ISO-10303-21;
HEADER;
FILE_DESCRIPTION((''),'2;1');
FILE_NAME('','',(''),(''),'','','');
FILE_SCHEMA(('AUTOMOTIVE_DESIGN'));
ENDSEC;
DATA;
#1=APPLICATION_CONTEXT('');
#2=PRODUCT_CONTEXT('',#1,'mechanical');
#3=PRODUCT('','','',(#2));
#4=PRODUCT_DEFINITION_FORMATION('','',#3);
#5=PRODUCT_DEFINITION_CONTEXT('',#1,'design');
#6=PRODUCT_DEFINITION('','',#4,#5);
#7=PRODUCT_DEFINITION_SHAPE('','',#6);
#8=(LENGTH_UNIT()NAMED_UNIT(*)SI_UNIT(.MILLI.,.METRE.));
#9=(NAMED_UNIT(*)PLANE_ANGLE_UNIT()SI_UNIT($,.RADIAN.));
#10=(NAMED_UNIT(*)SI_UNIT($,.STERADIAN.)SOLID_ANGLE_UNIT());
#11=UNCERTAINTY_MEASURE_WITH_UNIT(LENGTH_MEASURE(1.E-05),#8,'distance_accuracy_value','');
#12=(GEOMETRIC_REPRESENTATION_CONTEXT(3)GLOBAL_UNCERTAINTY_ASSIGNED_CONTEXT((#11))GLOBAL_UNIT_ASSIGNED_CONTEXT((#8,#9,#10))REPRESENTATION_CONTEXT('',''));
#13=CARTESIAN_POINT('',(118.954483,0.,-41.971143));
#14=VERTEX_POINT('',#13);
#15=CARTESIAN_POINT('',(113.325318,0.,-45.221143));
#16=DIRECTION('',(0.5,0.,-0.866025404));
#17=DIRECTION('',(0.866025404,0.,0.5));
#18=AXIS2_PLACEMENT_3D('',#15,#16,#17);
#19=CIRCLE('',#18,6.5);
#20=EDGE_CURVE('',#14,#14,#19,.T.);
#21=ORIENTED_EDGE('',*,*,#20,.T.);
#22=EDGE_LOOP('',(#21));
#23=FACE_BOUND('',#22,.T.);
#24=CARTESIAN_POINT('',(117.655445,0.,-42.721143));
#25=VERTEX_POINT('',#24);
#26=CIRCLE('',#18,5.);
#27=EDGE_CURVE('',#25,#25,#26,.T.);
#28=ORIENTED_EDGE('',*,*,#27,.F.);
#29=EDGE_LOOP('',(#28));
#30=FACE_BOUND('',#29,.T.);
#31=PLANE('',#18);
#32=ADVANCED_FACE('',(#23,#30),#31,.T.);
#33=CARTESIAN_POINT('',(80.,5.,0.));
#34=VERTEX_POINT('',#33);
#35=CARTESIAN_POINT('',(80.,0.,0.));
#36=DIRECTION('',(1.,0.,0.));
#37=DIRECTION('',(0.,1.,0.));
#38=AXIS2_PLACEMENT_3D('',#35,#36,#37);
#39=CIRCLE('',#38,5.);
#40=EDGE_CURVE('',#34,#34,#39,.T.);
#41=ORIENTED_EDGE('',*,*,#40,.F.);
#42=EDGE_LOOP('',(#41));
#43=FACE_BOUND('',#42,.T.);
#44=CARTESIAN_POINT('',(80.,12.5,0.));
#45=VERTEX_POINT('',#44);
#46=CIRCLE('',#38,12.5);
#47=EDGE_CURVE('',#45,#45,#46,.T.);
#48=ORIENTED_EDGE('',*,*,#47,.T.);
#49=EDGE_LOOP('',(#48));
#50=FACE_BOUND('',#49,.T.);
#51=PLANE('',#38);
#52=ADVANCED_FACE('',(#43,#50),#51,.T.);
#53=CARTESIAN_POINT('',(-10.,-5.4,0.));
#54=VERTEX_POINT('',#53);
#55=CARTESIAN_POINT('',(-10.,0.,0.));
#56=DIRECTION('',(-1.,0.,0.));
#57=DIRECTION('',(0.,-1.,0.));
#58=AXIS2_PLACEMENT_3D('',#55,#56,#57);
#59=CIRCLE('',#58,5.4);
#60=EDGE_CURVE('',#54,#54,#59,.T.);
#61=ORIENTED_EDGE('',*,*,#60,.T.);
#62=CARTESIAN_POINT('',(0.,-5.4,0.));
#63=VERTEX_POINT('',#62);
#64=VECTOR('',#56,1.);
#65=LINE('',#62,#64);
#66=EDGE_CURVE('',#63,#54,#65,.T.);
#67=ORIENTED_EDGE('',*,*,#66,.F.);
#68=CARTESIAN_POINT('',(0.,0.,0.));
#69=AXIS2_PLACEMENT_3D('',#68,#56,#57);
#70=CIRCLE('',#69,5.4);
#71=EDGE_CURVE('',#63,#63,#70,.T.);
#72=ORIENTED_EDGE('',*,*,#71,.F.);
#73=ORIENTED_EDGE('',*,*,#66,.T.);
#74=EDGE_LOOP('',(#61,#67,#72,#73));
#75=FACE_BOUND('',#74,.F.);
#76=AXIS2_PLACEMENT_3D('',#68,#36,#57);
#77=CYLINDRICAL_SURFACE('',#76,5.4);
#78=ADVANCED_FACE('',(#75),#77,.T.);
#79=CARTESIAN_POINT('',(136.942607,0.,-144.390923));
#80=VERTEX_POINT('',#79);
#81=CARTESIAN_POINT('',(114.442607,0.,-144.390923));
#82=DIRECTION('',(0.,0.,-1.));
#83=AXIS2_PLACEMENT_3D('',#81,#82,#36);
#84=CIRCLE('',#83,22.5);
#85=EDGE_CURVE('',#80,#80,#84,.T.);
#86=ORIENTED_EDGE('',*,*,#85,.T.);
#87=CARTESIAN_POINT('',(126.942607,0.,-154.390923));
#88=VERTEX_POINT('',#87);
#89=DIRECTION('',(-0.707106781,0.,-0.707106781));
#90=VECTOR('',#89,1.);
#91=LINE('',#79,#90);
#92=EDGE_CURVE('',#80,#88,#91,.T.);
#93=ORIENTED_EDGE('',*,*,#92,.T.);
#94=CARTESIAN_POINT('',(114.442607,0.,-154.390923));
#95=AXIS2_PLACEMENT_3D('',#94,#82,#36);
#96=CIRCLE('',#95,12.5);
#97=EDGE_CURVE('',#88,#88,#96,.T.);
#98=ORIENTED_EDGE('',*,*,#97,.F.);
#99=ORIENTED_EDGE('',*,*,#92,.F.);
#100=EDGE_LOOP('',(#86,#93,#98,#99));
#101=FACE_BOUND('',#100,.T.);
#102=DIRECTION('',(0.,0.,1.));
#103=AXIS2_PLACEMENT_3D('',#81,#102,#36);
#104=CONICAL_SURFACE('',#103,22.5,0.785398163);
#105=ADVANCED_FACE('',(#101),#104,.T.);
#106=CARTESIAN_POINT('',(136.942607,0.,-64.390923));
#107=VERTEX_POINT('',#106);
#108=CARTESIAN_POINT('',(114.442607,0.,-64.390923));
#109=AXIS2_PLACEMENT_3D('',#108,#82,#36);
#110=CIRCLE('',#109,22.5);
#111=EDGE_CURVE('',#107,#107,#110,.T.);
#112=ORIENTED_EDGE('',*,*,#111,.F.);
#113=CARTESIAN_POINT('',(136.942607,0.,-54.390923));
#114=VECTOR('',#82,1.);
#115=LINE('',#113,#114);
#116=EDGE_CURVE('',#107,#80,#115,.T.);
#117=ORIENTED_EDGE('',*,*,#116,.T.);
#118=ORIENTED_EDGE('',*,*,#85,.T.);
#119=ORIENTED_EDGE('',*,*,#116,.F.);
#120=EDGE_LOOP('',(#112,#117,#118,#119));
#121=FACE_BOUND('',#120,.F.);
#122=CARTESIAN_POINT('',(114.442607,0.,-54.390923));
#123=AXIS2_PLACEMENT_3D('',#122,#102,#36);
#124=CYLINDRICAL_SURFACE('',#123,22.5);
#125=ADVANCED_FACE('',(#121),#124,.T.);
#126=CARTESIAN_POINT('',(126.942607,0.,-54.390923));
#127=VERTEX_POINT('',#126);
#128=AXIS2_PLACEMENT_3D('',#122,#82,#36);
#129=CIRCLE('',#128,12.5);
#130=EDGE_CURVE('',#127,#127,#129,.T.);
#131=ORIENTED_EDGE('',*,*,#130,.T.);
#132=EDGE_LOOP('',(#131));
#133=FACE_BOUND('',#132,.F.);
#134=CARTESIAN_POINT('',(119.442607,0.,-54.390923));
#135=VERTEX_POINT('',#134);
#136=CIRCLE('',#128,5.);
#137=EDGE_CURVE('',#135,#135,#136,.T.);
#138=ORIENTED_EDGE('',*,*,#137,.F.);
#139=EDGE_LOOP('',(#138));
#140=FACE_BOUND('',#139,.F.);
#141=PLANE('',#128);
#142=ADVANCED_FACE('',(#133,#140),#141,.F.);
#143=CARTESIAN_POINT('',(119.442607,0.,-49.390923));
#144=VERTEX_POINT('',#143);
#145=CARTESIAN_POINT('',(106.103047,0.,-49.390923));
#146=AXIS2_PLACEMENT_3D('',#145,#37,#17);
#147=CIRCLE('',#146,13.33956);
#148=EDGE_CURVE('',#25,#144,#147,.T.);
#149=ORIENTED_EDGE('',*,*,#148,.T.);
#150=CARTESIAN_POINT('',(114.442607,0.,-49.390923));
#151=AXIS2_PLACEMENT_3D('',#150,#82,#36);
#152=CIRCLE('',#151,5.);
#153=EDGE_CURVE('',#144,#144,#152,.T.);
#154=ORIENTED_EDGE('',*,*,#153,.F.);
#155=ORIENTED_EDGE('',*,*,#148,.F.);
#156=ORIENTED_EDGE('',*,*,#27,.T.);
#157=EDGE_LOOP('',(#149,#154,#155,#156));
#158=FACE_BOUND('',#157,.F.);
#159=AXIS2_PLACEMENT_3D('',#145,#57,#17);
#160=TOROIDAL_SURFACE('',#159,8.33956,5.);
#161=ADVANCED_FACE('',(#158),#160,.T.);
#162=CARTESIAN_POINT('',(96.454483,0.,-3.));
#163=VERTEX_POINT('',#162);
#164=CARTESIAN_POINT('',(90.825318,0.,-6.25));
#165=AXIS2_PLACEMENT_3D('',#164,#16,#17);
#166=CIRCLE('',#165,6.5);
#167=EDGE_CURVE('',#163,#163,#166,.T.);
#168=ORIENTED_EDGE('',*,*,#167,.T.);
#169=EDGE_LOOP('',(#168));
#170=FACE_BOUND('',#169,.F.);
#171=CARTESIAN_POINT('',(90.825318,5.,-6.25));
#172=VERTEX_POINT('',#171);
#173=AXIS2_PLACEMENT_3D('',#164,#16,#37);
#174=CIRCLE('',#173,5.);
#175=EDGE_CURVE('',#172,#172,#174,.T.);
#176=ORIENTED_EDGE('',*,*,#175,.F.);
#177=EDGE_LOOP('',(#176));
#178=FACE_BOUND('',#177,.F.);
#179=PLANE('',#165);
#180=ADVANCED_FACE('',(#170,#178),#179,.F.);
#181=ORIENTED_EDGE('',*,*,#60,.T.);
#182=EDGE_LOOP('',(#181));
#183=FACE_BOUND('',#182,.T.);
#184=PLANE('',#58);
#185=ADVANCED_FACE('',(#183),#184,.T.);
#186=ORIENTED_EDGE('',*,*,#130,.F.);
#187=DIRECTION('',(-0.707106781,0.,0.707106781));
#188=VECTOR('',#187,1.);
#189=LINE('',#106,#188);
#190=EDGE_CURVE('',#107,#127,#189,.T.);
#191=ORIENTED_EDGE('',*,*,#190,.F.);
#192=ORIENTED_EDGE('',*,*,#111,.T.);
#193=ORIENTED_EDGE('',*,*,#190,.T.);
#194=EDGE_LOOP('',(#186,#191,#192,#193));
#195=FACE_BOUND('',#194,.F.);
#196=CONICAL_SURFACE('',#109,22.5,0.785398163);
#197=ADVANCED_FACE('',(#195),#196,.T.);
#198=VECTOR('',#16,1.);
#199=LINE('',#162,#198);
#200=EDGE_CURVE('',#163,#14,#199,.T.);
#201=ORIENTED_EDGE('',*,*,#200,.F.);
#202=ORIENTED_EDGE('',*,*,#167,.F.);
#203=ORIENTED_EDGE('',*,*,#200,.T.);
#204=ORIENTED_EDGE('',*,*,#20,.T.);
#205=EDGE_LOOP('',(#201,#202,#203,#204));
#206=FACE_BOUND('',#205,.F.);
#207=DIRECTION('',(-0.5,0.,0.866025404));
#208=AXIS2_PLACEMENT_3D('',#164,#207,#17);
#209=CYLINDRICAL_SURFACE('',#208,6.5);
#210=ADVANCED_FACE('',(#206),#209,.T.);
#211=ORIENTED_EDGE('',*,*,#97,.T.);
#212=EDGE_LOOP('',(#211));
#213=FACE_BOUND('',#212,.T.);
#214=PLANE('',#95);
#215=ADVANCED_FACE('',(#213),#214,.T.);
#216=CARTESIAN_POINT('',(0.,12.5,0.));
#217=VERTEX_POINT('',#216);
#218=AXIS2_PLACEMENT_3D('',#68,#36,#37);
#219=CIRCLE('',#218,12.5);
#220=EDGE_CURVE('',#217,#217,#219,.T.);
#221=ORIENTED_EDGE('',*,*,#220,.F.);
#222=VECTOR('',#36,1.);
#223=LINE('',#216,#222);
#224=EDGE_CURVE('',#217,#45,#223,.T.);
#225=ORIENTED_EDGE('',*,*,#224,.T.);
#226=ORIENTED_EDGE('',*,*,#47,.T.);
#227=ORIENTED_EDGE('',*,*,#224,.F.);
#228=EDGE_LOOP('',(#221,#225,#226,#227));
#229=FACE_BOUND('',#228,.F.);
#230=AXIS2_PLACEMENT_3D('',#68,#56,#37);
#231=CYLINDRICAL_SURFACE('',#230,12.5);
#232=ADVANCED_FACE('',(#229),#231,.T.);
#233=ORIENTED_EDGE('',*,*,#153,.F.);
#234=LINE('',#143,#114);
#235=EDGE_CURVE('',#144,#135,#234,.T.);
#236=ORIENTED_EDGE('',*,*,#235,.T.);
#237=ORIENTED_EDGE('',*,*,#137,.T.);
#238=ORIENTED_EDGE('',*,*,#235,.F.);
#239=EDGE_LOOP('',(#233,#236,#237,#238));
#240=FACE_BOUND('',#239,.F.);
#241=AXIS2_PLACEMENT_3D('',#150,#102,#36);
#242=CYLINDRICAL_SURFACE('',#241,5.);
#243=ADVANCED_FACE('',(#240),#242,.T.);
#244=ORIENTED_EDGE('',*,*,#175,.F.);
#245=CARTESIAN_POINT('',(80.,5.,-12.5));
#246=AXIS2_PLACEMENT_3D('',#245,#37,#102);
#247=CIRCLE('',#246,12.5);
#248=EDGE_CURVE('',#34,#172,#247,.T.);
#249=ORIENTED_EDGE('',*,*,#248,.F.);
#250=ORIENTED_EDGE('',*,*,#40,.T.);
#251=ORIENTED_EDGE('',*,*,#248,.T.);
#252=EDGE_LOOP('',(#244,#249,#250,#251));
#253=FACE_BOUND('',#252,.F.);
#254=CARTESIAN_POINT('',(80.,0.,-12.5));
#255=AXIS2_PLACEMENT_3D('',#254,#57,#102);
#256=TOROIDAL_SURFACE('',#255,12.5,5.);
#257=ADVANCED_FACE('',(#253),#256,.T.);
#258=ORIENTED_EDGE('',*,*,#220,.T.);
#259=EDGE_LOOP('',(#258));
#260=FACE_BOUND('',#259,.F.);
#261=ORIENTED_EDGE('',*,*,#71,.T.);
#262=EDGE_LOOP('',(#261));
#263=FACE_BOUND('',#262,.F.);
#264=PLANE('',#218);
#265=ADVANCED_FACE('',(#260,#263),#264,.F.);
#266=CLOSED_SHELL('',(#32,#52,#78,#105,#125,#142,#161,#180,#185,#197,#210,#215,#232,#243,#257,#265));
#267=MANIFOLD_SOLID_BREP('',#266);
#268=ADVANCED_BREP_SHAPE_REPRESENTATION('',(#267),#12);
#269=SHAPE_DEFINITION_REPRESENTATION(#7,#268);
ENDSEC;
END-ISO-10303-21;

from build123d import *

# Parameters (mm, degrees)
F0_R      = 12.5
F1_DEPTH  = 80
F2_R      = 5
F3_ANGLE  = 60
F4_R      = 6.5
F5_DEPTH  = 45
F6_R      = 5.4
F7_DEPTH  = 10
F8_R      = 5
F9_ANGLE  = 30
F10_DEPTH = 5
F11_R     = 22.5
F11_R_2   = 5
F12_DEPTH = 100
F13_SIZE  = 10
F14_SIZE  = 10


with BuildPart() as f1:
    # F0 (on Right) → F1 (new body)
    with BuildSketch(Plane.YZ):
        Circle(F0_R)
    extrude(amount=F1_DEPTH)

    # F2 (on face) → F3 (revolve)
    with BuildSketch(Plane.YZ.offset(80)):
        Circle(F2_R)
    revolve(axis=Axis((80, 12.480231002, -12.5), (0, 1, 0)), revolution_arc=F3_ANGLE)

    # F4 (on face) → F5 (join)
    with BuildSketch(Plane(origin=(25.4126587737, 0, -44.0160161514), x_dir=(0.8660254038, 0, 0.5), z_dir=(0.5, 0, -0.8660254038))):
        with Locations((75.5320323028, 0)):
            Circle(F4_R)
    extrude(amount=F5_DEPTH)

    # F6 (on face) → F7 (join)
    with BuildSketch(Plane(origin=(0, 0, 0), x_dir=(0, -1, 0), z_dir=(-1, 0, 0))):
        Circle(F6_R)
    extrude(amount=F7_DEPTH)

    # F8 (on face) → F9 (revolve)
    with BuildSketch(Plane(origin=(47.9126587737, 0, -82.9871593217), x_dir=(0.8660254038, 0, 0.5), z_dir=(0.5, 0, -0.8660254038))):
        with Locations((75.5320323028, 0)):
            Circle(F8_R)
    revolve(axis=Axis((106.1030469169, 6.7506376654, -49.3909230629), (0, 1, 0)), revolution_arc=F9_ANGLE)

    # F10 (add): a face of the model
    f10_faces = [f1.faces().sort_by_distance(p)[0] for p in [
        (114.4426067022, 0, -49.3909230629),
    ]]
    extrude(f10_faces, amount=F10_DEPTH)

    # F11 (on face) → F12 (join)
    with BuildSketch(Plane(origin=(0, 0, -54.3909230629), x_dir=(1, 0, 0), z_dir=(0, 0, -1))):
        with Locations((114.4426067022, 0)):
            Circle(F11_R)
        with Locations((114.4426067022, 0)):
            Circle(F11_R_2, mode=Mode.SUBTRACT)
        with Locations((114.4426067022, 0)):
            Circle(F11_R_2)
    extrude(amount=F12_DEPTH)

    # F13
    f13_edges = [f1.edges().sort_by_distance(p)[0] for p in [
        (91.942607, 0, -54.390923),
    ]]
    chamfer(f13_edges, length=F13_SIZE)

    # F14
    f14_edges = [f1.edges().sort_by_distance(p)[0] for p in [
        (91.942607, 0, -154.390923),
    ]]
    chamfer(f14_edges, length=F14_SIZE)


solid = f1.part
